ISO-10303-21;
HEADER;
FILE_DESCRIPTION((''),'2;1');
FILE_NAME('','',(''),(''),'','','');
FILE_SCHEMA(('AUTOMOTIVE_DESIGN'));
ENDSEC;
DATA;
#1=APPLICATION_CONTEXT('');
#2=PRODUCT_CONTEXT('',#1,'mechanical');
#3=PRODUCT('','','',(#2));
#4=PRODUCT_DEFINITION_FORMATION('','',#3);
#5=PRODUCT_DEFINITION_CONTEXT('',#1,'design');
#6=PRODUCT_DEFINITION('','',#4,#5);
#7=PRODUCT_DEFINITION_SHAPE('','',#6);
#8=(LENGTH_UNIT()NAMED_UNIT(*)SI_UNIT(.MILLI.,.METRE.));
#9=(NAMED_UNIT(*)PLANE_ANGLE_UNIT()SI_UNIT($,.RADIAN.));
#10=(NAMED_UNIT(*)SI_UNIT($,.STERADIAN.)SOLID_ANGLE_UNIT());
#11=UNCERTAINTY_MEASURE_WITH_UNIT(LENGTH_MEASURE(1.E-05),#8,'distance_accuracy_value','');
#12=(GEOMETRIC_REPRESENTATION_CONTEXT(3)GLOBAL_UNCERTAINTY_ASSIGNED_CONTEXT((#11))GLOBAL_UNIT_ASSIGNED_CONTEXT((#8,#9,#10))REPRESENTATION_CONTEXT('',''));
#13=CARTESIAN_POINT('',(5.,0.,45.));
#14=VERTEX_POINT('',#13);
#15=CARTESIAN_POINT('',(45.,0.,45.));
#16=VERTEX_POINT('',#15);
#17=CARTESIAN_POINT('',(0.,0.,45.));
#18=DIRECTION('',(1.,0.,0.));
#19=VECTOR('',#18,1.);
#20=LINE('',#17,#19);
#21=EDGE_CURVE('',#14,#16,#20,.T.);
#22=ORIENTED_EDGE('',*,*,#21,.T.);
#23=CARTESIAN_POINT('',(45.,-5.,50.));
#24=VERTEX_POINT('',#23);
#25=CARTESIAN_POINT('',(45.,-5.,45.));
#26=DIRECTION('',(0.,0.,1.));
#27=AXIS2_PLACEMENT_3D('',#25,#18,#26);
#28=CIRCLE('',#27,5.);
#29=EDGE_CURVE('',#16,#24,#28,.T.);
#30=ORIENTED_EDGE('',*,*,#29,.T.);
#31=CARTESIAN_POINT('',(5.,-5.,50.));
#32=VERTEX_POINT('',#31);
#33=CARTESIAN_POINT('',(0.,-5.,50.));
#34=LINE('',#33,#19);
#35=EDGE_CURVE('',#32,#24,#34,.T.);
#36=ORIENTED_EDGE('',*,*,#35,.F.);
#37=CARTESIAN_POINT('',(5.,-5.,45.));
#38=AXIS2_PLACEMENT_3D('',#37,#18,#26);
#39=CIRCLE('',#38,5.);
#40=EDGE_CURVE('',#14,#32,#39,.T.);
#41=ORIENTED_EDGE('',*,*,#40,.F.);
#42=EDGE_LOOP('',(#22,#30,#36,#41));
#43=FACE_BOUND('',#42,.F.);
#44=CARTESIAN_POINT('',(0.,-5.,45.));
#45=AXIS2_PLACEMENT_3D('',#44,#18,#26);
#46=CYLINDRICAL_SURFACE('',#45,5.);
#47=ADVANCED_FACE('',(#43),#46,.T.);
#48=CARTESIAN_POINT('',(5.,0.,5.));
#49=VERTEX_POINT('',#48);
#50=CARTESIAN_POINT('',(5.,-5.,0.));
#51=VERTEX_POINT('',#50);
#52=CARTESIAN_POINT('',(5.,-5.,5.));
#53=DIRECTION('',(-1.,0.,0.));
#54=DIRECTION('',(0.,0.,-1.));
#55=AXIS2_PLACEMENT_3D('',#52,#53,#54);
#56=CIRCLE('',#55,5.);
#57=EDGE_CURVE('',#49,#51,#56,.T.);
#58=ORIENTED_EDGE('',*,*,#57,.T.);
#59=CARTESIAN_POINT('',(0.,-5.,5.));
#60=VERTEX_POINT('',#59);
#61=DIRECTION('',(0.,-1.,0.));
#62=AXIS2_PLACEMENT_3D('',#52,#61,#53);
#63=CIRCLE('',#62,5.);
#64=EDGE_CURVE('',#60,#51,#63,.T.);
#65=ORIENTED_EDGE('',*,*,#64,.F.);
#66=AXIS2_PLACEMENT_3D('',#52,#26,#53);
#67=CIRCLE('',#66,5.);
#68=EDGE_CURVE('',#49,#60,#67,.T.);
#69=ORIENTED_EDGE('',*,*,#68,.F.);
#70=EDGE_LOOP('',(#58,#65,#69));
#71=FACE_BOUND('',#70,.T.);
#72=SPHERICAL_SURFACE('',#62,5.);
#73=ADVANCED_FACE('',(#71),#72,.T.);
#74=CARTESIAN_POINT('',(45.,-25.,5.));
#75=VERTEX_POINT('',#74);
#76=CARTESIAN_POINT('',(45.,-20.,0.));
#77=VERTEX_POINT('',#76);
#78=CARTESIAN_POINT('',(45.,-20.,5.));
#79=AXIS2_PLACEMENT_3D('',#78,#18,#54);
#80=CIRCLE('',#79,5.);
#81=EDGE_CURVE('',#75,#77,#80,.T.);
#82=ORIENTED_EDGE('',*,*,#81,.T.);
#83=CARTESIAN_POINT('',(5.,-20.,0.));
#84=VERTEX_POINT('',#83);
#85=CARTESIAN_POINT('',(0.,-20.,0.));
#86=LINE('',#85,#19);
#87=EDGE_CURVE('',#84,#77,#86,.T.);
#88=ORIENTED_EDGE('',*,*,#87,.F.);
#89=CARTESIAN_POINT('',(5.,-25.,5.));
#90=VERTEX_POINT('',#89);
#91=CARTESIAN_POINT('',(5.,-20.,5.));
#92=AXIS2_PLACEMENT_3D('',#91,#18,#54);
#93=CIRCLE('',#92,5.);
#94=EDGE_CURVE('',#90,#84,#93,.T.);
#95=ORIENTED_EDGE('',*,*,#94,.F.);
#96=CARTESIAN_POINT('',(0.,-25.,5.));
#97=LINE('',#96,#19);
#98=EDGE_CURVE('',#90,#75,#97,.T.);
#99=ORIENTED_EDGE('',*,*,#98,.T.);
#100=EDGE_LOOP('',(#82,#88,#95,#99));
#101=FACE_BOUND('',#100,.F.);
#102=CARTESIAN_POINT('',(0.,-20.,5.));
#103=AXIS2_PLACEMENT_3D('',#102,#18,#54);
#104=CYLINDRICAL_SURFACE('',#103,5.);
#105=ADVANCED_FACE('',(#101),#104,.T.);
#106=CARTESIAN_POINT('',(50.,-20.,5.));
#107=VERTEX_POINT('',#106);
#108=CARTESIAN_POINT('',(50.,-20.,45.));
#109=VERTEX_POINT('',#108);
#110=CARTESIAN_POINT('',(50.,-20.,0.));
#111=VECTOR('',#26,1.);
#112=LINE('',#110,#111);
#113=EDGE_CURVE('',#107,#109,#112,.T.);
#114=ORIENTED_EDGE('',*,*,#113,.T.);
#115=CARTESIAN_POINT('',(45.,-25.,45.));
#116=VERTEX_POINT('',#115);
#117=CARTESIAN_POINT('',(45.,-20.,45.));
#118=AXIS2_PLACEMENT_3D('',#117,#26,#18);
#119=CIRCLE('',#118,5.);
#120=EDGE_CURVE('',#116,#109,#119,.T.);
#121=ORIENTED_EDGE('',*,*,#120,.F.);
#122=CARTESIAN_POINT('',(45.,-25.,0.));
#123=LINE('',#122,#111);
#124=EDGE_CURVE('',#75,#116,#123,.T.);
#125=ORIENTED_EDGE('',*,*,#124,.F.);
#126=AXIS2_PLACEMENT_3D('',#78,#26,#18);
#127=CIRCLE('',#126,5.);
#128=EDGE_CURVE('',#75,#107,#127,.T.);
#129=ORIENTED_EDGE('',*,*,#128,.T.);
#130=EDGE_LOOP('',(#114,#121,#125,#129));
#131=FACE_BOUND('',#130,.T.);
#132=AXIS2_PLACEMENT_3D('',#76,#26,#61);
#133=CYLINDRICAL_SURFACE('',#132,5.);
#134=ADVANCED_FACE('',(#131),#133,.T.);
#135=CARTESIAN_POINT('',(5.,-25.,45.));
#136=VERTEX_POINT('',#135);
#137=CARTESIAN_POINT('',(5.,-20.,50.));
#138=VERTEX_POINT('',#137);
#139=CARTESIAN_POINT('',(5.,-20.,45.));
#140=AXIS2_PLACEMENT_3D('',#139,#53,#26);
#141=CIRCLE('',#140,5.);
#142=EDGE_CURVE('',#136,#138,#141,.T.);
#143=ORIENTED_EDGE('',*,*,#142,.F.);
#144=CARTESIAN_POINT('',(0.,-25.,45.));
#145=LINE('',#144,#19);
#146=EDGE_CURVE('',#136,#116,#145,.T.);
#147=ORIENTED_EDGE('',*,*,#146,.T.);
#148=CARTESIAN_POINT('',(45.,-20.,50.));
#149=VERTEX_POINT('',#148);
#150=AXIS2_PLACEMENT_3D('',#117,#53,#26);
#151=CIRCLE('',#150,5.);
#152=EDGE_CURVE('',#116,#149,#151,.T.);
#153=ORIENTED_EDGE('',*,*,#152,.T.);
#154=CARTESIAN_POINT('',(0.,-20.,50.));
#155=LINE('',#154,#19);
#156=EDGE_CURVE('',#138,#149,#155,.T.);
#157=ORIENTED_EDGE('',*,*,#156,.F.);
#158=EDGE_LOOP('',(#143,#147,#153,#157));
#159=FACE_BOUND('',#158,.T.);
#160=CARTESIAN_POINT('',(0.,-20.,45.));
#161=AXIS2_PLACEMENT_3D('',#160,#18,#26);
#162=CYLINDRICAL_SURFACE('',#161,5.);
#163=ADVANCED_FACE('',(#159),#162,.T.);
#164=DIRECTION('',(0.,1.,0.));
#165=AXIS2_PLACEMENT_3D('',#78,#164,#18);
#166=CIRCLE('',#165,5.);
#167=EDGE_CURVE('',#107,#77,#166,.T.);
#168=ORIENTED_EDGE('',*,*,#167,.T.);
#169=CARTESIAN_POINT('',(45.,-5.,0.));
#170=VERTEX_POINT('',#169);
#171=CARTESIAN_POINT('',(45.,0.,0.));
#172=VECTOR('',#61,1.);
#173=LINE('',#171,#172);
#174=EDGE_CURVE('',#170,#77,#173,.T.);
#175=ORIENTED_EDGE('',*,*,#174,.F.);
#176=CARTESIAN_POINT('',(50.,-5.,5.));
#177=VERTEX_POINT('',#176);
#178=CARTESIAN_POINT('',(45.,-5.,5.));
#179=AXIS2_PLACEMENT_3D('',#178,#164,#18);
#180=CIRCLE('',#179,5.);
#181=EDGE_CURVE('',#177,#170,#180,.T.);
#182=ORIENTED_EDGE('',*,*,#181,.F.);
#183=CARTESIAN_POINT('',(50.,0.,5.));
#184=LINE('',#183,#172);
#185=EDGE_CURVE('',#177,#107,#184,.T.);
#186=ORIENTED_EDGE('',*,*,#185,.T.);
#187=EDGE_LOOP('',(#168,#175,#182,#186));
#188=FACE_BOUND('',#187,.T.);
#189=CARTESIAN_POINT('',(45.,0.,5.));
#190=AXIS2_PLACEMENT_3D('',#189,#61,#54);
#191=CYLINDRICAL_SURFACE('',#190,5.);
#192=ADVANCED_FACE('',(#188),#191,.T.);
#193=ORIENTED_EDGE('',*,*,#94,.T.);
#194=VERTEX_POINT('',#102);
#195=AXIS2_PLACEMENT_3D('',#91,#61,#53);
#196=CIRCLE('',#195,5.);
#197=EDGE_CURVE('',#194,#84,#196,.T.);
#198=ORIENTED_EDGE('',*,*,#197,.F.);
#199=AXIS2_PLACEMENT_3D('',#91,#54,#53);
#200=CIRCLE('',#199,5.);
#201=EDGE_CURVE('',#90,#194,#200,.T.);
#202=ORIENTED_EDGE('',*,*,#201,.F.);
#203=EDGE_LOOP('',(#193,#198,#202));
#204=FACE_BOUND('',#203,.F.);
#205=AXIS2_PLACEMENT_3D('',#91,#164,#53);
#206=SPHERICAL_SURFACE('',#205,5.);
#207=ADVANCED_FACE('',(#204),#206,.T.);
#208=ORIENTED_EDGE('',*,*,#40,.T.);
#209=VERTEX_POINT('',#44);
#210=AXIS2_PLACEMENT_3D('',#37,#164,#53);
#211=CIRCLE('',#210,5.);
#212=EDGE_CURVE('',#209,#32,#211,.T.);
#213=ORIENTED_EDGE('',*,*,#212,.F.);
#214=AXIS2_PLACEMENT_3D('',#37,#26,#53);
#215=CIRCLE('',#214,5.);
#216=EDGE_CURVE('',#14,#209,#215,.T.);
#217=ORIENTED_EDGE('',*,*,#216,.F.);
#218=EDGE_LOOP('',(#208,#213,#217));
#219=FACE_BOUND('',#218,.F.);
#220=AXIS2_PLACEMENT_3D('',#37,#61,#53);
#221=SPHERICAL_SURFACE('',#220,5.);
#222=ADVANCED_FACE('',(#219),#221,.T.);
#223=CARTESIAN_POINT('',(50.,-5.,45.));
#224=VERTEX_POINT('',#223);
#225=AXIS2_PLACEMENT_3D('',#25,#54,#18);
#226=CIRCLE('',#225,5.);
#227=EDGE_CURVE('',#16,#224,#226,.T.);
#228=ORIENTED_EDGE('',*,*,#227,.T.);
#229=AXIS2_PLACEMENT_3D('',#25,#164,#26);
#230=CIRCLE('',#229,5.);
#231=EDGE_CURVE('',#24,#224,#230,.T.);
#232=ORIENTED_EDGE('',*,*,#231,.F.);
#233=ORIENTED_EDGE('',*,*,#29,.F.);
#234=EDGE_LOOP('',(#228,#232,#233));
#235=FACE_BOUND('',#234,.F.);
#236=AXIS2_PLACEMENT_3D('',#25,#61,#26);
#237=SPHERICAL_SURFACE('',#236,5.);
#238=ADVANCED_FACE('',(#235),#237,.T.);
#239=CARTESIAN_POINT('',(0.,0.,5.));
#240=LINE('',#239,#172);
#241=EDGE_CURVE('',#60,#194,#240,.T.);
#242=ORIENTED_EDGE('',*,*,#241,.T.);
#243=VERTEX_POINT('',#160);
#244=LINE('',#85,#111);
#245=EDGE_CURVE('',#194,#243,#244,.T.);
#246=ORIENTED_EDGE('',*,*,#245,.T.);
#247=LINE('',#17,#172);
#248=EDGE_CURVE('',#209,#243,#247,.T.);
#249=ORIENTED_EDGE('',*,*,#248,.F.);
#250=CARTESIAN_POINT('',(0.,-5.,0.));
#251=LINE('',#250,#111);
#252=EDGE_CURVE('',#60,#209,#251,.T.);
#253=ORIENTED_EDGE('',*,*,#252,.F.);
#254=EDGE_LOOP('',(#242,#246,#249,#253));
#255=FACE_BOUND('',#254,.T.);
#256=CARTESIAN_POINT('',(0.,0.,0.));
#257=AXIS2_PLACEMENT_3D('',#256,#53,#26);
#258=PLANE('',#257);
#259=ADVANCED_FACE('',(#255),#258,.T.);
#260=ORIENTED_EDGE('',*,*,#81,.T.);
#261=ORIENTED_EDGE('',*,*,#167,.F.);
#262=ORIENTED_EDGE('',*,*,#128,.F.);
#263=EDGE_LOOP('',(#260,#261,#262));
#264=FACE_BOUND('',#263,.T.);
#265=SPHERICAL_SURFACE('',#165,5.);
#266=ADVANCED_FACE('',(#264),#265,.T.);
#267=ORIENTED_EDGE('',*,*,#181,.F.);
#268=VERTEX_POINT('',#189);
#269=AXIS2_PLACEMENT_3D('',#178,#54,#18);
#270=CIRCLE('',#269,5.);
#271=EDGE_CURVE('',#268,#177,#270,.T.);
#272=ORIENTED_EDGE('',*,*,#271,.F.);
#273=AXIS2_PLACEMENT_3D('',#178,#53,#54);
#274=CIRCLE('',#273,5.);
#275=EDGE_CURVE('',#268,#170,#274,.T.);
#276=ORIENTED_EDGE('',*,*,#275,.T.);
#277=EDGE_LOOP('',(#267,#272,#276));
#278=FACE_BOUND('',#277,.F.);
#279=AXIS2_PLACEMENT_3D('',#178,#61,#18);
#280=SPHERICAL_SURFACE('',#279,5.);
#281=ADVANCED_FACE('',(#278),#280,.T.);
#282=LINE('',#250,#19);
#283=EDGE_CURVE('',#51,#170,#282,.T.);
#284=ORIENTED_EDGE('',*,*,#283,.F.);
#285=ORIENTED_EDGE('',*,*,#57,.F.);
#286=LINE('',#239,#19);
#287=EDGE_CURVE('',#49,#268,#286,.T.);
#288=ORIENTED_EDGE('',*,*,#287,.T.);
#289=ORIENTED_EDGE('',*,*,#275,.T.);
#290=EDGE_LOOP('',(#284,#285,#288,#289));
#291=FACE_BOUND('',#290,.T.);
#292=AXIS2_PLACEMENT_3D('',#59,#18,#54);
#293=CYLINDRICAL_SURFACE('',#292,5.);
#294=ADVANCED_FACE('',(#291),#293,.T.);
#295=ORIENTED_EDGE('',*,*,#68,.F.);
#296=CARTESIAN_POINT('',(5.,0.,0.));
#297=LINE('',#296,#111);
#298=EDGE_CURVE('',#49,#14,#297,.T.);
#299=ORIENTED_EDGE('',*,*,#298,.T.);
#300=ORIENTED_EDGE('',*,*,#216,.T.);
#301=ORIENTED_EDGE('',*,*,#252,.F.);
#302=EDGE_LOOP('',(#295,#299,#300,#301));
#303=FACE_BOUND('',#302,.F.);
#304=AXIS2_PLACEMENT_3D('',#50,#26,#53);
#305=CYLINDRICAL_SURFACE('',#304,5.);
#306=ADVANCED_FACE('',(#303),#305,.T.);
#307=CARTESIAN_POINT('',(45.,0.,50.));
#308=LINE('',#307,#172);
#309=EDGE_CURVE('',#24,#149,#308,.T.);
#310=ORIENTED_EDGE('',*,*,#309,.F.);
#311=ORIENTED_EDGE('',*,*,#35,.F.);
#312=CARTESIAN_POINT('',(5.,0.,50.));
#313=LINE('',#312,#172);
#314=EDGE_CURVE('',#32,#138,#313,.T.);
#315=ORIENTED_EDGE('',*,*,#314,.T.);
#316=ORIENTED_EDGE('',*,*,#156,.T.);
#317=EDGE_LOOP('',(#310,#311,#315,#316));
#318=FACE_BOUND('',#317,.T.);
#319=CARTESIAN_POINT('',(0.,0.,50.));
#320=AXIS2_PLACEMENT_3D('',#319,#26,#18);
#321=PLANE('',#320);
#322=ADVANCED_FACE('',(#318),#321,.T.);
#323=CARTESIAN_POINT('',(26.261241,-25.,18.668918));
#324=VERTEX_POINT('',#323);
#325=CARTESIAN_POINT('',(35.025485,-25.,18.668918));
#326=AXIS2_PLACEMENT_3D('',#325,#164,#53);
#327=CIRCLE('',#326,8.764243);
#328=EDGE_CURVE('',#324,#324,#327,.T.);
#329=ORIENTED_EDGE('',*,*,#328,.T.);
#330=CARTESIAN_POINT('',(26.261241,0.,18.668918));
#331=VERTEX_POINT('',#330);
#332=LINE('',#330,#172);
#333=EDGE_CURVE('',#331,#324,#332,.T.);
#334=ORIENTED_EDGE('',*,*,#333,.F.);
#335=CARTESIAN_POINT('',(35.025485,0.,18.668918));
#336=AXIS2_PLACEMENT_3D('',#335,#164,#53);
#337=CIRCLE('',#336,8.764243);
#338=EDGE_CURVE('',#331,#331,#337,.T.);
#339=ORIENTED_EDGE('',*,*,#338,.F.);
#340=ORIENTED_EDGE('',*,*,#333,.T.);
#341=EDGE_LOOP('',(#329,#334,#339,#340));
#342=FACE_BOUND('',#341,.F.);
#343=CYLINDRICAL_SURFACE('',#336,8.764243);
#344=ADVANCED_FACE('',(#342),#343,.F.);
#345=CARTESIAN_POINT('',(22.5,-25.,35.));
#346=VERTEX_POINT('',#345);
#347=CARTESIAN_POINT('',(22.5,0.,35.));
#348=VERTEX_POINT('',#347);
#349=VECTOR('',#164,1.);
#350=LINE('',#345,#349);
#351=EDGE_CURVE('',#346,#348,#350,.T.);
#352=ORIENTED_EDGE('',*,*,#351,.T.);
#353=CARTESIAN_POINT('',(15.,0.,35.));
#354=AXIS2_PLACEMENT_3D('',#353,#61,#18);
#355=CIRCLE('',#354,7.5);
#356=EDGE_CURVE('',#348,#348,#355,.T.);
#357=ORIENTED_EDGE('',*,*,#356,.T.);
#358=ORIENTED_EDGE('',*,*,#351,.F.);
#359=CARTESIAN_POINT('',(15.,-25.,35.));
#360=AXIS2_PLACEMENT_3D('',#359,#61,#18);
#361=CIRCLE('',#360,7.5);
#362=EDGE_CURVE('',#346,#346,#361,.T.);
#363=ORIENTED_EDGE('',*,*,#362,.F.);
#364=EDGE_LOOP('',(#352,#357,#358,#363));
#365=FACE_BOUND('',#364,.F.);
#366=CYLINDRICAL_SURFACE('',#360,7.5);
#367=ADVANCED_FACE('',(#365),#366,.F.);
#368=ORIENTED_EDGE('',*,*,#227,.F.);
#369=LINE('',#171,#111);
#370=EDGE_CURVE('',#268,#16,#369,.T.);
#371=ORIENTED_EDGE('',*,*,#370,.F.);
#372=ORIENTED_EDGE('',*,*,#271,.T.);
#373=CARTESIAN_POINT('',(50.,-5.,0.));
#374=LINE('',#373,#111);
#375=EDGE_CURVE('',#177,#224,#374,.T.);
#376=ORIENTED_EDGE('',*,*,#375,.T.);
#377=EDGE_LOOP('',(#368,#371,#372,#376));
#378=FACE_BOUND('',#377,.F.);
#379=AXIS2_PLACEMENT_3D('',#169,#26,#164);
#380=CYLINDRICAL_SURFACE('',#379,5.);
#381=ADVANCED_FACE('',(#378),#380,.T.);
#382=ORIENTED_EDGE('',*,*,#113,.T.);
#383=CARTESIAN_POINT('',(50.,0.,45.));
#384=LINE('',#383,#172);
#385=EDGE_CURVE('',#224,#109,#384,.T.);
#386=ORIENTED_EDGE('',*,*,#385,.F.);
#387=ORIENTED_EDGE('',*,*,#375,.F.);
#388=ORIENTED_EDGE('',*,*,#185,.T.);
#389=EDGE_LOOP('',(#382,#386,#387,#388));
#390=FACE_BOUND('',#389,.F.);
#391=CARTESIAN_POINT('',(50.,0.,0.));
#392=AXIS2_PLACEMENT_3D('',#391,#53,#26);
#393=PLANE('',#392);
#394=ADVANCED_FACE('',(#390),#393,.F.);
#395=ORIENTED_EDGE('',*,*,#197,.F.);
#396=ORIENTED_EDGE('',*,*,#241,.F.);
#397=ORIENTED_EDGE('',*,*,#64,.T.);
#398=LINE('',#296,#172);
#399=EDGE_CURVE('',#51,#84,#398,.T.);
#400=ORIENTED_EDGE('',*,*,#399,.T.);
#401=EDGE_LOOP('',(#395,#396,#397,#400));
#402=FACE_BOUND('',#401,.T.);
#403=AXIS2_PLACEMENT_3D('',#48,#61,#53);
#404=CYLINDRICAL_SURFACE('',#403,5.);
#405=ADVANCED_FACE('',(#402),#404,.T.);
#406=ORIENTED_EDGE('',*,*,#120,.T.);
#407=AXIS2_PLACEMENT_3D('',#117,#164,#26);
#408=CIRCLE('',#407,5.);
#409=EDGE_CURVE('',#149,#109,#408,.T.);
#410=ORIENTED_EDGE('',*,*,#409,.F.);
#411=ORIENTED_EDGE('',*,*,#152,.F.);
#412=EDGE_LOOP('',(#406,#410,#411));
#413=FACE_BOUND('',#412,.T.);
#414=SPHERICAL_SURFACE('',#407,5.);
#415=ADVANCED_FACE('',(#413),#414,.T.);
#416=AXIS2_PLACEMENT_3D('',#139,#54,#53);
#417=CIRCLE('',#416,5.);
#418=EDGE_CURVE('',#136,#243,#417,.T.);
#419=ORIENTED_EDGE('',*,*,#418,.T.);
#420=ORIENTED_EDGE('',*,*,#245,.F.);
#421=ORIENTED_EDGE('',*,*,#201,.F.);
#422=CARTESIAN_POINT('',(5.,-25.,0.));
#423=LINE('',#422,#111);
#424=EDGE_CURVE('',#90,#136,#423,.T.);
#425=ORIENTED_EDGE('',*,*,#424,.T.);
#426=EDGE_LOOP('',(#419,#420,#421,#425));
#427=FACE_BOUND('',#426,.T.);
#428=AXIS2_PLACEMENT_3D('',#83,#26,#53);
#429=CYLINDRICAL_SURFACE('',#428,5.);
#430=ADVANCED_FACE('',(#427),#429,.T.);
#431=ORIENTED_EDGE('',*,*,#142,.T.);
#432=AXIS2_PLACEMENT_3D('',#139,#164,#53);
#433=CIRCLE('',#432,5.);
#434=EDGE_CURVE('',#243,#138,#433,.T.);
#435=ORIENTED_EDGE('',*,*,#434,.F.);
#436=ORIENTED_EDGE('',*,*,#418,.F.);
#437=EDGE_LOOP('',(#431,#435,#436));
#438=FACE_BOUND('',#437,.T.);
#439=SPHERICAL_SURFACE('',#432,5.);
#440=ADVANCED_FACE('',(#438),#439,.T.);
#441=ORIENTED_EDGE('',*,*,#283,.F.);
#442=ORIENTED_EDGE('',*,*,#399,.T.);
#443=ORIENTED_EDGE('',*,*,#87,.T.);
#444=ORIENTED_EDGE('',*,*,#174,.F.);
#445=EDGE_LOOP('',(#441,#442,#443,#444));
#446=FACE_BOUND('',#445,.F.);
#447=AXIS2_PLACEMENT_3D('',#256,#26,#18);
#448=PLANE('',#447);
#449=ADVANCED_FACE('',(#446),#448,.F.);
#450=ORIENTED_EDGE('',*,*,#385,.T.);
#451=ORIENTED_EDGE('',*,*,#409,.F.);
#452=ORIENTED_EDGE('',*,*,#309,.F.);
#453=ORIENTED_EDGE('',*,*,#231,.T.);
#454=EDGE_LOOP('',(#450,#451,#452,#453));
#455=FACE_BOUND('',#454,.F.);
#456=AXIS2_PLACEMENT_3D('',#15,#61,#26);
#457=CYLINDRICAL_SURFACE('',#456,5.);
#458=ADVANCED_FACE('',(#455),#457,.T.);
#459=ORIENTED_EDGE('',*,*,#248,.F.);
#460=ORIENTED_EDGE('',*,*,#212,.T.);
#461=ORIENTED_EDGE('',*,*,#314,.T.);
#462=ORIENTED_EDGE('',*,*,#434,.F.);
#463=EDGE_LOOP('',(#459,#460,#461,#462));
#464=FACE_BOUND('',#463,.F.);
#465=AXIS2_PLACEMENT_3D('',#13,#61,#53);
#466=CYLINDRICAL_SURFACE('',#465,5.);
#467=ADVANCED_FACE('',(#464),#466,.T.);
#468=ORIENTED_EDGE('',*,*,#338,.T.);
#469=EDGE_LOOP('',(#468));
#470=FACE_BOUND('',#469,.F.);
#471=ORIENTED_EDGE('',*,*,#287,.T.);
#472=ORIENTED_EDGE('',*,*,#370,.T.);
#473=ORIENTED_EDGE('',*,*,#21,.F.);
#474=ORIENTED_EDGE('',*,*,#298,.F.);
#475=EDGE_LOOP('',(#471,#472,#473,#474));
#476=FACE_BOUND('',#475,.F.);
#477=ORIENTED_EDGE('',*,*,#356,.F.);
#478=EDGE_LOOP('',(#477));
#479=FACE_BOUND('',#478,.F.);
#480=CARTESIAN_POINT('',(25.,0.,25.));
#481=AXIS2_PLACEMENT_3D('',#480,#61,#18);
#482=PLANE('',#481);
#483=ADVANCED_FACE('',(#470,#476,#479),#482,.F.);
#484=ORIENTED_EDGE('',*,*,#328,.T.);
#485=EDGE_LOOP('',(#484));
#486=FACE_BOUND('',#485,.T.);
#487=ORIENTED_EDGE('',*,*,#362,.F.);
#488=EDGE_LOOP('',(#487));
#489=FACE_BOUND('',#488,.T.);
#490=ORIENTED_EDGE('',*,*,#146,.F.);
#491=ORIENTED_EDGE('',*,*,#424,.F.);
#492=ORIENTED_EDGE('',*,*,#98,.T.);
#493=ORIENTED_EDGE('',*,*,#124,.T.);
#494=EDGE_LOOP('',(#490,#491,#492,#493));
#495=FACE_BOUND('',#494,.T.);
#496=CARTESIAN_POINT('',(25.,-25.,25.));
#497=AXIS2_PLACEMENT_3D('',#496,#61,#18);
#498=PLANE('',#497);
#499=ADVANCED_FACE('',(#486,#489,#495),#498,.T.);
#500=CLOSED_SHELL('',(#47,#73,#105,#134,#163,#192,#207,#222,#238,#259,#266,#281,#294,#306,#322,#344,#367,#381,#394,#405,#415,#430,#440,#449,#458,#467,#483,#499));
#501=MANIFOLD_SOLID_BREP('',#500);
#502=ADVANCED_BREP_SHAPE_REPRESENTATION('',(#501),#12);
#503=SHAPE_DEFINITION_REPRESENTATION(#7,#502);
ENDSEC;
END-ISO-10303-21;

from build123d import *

# Parameters (mm, degrees)
F0_W     = 50
F0_H     = 50
F1_DEPTH = 25
F2_R     = 7.5
F3_DEPTH = 25
F4_R     = 5
F5_R     = 8.7642434369
F6_DEPTH = 25.001


with BuildPart() as f1:
    # F0 (on Front) → F1 (new body)
    with BuildSketch(Plane.XZ):
        with Locations((25, 25)):
            Rectangle(F0_W, F0_H)
    extrude(amount=F1_DEPTH)

    # F2 (on face) → F3 (cut)
    with BuildSketch(Plane.XZ.offset(25)):
        with Locations((15, 35)):
            Circle(F2_R)
    extrude(amount=-F3_DEPTH, mode=Mode.SUBTRACT)

    # F4
    f4_edges = [f1.edges().sort_by_distance(p)[0] for p in [
        (0, -12.5, 50),
        (0, -12.5, 0),
        (0, 0, 25),
        (0, -25, 25),
        (50, -12.5, 50),
        (25, 0, 50),
        (25, -25, 50),
        (50, -12.5, 0),
        (50, 0, 25),
        (50, -25, 25),
        (25, 0, 0),
        (25, -25, 0),
    ]]
    fillet(f4_edges, radius=F4_R)

    # F5 (on face) → F6 (cut, through all)
    with BuildSketch(Plane(origin=(0, 0, 0), x_dir=(-1, 0, 0), z_dir=(0, 1, 0))):
        with Locations((-35.0254848599, 18.6689179391)):
            Circle(F5_R)
    extrude(amount=-F6_DEPTH, mode=Mode.SUBTRACT)


solid = f1.part
